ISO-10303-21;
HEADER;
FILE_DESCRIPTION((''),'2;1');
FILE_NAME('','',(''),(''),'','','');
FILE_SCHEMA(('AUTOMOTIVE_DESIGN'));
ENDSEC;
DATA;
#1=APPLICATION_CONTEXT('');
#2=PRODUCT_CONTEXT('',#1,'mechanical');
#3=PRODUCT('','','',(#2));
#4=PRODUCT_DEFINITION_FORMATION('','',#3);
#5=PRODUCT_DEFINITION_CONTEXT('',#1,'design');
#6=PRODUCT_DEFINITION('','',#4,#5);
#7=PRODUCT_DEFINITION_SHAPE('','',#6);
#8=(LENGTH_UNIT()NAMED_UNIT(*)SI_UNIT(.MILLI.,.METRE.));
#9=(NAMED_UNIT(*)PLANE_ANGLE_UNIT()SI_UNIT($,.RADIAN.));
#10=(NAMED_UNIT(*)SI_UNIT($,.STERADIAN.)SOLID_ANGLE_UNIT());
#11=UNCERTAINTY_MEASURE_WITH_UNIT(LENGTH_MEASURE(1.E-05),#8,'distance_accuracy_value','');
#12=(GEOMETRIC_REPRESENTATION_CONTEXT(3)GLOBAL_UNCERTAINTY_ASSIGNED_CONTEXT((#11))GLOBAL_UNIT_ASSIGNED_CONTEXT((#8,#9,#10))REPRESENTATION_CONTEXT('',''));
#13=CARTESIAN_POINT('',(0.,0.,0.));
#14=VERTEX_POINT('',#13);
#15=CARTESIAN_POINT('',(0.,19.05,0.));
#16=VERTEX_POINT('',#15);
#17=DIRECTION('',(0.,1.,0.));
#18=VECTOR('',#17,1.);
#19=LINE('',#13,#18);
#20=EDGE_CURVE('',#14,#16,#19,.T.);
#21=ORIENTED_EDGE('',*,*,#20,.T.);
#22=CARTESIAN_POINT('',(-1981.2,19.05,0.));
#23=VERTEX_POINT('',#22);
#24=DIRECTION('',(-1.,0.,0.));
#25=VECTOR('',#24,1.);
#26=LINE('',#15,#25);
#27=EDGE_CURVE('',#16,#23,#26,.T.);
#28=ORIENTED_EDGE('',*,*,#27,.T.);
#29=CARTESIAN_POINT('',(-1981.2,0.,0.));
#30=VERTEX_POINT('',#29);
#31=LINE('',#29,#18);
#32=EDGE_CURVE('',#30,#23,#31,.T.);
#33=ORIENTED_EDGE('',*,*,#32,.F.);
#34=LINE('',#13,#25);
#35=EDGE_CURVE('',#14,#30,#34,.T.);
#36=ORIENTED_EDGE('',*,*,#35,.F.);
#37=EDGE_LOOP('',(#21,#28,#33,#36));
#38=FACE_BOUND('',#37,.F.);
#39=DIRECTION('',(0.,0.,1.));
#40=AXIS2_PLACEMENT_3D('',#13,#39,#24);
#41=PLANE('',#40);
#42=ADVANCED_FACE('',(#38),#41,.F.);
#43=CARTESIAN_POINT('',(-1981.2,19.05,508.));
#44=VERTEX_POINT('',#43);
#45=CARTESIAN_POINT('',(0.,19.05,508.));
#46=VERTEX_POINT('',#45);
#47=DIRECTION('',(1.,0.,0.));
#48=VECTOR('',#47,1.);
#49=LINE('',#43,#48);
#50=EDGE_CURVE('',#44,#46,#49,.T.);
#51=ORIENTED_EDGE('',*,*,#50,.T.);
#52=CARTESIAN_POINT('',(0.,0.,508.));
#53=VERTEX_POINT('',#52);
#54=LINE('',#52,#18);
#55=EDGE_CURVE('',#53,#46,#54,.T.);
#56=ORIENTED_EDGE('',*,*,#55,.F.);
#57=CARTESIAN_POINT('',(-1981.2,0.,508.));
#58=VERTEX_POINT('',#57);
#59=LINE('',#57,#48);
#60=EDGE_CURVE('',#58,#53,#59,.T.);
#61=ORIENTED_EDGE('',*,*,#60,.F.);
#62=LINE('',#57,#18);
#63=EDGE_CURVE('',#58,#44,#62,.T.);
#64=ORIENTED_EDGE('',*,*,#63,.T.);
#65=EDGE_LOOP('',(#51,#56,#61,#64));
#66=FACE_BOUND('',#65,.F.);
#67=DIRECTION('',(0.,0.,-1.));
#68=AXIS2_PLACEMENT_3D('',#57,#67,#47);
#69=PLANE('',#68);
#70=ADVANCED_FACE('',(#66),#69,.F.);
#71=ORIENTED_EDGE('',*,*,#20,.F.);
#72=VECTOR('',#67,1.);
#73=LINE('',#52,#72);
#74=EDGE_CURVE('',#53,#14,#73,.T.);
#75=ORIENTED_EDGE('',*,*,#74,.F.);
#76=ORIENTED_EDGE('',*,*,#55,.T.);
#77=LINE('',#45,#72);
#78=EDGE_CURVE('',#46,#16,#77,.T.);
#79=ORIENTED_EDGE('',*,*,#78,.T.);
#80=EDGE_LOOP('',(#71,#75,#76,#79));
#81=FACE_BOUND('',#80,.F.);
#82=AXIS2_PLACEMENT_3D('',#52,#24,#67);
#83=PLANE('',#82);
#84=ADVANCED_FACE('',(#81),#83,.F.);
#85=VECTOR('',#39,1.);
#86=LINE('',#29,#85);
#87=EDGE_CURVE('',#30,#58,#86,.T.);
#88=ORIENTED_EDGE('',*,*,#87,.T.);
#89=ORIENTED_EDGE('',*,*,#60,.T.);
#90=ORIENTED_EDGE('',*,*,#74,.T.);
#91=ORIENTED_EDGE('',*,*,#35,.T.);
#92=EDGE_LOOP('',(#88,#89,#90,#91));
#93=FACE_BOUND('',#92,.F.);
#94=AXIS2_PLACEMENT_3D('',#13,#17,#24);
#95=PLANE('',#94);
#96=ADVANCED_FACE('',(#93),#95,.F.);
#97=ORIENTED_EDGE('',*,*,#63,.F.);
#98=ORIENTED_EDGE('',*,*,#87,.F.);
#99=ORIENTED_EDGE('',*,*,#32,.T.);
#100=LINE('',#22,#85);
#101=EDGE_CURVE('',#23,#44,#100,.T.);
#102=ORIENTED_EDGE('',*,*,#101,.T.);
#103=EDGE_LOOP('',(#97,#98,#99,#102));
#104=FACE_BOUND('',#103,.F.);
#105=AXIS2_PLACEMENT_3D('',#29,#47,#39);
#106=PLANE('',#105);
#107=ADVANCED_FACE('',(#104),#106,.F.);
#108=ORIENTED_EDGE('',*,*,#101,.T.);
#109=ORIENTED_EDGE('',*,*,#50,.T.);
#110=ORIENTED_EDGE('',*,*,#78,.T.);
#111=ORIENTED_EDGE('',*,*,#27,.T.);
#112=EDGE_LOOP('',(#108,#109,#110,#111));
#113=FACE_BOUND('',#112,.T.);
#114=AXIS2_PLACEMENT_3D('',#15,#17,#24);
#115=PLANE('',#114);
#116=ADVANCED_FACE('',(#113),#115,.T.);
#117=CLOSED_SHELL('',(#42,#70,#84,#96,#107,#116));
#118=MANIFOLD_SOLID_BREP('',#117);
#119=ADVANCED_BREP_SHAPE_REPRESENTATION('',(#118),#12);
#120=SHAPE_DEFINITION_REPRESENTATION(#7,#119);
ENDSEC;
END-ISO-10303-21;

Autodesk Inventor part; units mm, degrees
ref_plane "YZ Plane" through (0, 0, 0) normal (1, 0, 0) x (0, 1, 0)
ref_plane "XZ Plane" through (0, 0, 0) normal (0, 1, 0) x (-1, 0, 0)
ref_plane "XY Plane" through (0, 0, 0) normal (0, 0, 1) x (1, 0, 0)
sketch "Sketch1" plane through (0, 0, 0) normal (0, 1, 0) x (-1, 0, 0)
  line L0 (0, 0) -> (1981.2, 0)
  line L1 (1981.2, 0) -> (1981.2, 508)
  line L2 (1981.2, 508) -> (0, 508)
  line L3 (0, 508) -> (0, 0)
  dimension "d0" = 1981.2
  dimension "d1" = 508
extrude "Extrusion1" add sketch "Sketch1" along normal blind 19.05
properties part number "H7br" material "Wood (Cherry)"
